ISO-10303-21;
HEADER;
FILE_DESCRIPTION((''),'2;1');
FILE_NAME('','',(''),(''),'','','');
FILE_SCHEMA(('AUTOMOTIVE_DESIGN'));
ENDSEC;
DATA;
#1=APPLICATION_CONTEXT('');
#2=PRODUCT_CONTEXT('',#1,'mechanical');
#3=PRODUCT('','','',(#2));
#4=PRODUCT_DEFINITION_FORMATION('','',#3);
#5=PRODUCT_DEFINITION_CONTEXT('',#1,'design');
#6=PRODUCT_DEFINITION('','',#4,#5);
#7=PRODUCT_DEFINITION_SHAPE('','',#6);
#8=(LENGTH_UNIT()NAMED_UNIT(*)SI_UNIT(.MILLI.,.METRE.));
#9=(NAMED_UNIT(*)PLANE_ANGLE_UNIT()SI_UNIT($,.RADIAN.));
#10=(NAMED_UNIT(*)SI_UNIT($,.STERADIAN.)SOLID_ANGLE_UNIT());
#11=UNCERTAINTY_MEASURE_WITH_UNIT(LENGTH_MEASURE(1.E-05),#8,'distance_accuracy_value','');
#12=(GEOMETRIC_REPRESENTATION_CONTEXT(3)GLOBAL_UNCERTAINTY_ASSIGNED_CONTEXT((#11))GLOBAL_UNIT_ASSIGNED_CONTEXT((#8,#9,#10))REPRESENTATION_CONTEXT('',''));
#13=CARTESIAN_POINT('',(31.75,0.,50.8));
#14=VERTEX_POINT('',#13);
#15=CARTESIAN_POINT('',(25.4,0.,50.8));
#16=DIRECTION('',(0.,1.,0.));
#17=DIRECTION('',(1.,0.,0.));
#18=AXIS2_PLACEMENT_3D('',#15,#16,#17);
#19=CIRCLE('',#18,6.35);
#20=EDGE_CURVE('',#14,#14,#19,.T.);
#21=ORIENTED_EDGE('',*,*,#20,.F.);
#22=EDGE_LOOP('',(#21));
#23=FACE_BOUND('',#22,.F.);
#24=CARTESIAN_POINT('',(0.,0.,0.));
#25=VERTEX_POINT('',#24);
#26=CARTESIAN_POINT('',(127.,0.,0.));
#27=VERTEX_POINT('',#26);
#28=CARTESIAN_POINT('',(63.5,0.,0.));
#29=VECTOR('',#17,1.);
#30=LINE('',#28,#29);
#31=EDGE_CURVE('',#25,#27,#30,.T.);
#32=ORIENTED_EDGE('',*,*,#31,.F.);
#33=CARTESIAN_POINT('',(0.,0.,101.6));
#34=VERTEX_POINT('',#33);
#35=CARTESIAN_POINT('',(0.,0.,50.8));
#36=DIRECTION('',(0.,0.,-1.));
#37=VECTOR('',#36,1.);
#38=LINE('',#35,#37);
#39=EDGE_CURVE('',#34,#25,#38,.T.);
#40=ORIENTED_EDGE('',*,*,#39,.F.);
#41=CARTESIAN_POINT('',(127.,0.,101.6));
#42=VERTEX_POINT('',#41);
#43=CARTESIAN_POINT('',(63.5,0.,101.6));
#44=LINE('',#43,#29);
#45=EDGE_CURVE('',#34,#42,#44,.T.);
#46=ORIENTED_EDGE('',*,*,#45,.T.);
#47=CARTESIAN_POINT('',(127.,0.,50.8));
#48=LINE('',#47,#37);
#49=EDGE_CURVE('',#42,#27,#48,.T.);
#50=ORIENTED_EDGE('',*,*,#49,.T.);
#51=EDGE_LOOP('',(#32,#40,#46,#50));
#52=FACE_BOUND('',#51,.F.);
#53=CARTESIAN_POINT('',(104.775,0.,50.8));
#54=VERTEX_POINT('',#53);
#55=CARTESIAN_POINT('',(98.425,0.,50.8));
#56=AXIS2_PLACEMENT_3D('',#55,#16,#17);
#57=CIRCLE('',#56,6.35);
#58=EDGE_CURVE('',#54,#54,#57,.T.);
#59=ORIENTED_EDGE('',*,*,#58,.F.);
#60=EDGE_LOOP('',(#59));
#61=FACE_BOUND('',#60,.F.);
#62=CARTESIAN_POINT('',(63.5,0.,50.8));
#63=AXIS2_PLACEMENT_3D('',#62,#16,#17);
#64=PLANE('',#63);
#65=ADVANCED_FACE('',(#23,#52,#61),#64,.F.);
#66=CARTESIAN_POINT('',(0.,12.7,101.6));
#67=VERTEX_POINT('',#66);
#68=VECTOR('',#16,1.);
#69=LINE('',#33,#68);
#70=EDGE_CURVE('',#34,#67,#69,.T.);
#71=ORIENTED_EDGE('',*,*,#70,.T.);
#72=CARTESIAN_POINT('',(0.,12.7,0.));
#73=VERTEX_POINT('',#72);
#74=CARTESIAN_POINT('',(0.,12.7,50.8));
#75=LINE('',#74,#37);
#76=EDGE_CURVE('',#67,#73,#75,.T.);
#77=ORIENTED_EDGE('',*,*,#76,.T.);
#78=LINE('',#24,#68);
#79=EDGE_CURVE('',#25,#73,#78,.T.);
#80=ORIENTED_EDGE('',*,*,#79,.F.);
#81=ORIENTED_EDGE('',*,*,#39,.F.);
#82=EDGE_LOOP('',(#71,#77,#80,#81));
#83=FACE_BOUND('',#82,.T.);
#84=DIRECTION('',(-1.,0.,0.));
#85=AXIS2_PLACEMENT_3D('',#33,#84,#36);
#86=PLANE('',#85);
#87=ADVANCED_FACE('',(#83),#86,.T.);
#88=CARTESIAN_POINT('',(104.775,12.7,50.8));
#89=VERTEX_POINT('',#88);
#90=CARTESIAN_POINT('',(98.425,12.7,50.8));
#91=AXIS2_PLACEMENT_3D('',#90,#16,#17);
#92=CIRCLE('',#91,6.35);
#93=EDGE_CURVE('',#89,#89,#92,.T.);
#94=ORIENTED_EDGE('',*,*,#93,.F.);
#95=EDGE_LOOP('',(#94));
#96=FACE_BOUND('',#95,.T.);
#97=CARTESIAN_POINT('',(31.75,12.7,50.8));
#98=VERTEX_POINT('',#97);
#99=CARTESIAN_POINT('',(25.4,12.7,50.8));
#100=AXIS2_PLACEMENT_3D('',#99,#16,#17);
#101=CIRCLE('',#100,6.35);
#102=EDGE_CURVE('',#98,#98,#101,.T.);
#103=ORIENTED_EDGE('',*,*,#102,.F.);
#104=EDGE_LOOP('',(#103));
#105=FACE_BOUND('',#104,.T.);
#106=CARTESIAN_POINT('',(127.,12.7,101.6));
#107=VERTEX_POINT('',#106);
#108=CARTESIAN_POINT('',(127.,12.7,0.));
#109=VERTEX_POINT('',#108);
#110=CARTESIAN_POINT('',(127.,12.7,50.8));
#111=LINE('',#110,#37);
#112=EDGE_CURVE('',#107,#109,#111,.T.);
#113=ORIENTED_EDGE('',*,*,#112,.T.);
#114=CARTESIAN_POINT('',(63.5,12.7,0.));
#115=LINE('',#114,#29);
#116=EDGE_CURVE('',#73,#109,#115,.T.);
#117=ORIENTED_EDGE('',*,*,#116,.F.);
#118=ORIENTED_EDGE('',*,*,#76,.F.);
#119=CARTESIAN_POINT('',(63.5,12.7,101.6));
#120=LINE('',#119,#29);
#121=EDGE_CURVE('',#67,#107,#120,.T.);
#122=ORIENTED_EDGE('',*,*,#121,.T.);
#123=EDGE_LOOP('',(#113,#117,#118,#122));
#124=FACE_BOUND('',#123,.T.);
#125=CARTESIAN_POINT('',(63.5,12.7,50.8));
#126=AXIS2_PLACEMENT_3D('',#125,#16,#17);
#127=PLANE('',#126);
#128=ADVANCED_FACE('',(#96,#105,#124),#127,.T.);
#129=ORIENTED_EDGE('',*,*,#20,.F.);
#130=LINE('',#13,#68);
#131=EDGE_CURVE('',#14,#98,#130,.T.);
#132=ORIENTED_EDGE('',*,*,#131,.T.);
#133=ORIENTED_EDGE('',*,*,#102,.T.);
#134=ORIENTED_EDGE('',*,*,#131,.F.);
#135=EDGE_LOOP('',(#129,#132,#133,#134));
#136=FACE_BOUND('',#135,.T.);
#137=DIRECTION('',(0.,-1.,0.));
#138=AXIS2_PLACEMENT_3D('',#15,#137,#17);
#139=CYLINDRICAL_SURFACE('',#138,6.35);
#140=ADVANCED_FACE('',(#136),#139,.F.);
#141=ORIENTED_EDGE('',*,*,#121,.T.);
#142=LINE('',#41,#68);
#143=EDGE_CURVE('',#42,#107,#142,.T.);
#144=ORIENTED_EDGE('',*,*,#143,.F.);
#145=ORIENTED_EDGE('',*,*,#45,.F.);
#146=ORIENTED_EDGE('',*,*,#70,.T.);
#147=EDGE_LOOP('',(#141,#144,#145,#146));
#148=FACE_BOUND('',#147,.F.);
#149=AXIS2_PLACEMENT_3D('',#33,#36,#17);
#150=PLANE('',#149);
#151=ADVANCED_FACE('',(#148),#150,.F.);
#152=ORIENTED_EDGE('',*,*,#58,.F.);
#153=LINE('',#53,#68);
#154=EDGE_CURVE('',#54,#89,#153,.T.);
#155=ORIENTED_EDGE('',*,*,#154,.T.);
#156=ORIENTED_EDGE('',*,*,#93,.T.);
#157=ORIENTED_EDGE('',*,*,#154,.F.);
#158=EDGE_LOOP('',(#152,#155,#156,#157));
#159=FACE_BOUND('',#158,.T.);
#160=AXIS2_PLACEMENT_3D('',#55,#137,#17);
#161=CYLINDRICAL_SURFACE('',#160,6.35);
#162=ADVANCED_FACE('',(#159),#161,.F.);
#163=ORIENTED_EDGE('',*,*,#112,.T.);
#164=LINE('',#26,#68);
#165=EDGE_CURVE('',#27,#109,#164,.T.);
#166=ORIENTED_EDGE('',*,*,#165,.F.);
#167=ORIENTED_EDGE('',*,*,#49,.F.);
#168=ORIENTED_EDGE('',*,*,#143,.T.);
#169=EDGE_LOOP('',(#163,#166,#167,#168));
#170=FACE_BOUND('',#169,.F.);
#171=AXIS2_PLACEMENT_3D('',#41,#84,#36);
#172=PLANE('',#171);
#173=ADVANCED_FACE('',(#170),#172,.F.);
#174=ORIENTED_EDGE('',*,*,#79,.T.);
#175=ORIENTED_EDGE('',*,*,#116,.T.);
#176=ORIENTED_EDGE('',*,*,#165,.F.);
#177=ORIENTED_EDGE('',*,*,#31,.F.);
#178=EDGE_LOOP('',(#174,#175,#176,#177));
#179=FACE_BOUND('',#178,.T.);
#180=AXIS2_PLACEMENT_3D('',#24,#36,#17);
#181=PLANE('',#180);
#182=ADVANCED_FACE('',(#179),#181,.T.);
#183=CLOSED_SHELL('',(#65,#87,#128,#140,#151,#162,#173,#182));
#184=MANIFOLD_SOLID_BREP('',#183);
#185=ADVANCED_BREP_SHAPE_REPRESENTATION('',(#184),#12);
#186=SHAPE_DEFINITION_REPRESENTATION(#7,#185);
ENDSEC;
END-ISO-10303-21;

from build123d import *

# Parameters (mm, degrees)
SKETCH2_W           = 127
SKETCH2_H           = 101.6
SKETCH2_R           = 6.35
BOSS_EXTRUDE1_DEPTH = 12.7


with BuildPart() as part:
    # Sketch2 → Boss-Extrude1 (new body)
    with BuildSketch(Plane(origin=(0, 0, 0), x_dir=(1, 0, 0), z_dir=(0, 1, 0))):
        with Locations((63.5, -50.8)):
            Rectangle(SKETCH2_W, SKETCH2_H)
        with Locations((25.4, -50.8)):
            Circle(SKETCH2_R, mode=Mode.SUBTRACT)
        with Locations((98.425, -50.8)):
            Circle(SKETCH2_R, mode=Mode.SUBTRACT)
    extrude(amount=BOSS_EXTRUDE1_DEPTH)


solid = part.part
